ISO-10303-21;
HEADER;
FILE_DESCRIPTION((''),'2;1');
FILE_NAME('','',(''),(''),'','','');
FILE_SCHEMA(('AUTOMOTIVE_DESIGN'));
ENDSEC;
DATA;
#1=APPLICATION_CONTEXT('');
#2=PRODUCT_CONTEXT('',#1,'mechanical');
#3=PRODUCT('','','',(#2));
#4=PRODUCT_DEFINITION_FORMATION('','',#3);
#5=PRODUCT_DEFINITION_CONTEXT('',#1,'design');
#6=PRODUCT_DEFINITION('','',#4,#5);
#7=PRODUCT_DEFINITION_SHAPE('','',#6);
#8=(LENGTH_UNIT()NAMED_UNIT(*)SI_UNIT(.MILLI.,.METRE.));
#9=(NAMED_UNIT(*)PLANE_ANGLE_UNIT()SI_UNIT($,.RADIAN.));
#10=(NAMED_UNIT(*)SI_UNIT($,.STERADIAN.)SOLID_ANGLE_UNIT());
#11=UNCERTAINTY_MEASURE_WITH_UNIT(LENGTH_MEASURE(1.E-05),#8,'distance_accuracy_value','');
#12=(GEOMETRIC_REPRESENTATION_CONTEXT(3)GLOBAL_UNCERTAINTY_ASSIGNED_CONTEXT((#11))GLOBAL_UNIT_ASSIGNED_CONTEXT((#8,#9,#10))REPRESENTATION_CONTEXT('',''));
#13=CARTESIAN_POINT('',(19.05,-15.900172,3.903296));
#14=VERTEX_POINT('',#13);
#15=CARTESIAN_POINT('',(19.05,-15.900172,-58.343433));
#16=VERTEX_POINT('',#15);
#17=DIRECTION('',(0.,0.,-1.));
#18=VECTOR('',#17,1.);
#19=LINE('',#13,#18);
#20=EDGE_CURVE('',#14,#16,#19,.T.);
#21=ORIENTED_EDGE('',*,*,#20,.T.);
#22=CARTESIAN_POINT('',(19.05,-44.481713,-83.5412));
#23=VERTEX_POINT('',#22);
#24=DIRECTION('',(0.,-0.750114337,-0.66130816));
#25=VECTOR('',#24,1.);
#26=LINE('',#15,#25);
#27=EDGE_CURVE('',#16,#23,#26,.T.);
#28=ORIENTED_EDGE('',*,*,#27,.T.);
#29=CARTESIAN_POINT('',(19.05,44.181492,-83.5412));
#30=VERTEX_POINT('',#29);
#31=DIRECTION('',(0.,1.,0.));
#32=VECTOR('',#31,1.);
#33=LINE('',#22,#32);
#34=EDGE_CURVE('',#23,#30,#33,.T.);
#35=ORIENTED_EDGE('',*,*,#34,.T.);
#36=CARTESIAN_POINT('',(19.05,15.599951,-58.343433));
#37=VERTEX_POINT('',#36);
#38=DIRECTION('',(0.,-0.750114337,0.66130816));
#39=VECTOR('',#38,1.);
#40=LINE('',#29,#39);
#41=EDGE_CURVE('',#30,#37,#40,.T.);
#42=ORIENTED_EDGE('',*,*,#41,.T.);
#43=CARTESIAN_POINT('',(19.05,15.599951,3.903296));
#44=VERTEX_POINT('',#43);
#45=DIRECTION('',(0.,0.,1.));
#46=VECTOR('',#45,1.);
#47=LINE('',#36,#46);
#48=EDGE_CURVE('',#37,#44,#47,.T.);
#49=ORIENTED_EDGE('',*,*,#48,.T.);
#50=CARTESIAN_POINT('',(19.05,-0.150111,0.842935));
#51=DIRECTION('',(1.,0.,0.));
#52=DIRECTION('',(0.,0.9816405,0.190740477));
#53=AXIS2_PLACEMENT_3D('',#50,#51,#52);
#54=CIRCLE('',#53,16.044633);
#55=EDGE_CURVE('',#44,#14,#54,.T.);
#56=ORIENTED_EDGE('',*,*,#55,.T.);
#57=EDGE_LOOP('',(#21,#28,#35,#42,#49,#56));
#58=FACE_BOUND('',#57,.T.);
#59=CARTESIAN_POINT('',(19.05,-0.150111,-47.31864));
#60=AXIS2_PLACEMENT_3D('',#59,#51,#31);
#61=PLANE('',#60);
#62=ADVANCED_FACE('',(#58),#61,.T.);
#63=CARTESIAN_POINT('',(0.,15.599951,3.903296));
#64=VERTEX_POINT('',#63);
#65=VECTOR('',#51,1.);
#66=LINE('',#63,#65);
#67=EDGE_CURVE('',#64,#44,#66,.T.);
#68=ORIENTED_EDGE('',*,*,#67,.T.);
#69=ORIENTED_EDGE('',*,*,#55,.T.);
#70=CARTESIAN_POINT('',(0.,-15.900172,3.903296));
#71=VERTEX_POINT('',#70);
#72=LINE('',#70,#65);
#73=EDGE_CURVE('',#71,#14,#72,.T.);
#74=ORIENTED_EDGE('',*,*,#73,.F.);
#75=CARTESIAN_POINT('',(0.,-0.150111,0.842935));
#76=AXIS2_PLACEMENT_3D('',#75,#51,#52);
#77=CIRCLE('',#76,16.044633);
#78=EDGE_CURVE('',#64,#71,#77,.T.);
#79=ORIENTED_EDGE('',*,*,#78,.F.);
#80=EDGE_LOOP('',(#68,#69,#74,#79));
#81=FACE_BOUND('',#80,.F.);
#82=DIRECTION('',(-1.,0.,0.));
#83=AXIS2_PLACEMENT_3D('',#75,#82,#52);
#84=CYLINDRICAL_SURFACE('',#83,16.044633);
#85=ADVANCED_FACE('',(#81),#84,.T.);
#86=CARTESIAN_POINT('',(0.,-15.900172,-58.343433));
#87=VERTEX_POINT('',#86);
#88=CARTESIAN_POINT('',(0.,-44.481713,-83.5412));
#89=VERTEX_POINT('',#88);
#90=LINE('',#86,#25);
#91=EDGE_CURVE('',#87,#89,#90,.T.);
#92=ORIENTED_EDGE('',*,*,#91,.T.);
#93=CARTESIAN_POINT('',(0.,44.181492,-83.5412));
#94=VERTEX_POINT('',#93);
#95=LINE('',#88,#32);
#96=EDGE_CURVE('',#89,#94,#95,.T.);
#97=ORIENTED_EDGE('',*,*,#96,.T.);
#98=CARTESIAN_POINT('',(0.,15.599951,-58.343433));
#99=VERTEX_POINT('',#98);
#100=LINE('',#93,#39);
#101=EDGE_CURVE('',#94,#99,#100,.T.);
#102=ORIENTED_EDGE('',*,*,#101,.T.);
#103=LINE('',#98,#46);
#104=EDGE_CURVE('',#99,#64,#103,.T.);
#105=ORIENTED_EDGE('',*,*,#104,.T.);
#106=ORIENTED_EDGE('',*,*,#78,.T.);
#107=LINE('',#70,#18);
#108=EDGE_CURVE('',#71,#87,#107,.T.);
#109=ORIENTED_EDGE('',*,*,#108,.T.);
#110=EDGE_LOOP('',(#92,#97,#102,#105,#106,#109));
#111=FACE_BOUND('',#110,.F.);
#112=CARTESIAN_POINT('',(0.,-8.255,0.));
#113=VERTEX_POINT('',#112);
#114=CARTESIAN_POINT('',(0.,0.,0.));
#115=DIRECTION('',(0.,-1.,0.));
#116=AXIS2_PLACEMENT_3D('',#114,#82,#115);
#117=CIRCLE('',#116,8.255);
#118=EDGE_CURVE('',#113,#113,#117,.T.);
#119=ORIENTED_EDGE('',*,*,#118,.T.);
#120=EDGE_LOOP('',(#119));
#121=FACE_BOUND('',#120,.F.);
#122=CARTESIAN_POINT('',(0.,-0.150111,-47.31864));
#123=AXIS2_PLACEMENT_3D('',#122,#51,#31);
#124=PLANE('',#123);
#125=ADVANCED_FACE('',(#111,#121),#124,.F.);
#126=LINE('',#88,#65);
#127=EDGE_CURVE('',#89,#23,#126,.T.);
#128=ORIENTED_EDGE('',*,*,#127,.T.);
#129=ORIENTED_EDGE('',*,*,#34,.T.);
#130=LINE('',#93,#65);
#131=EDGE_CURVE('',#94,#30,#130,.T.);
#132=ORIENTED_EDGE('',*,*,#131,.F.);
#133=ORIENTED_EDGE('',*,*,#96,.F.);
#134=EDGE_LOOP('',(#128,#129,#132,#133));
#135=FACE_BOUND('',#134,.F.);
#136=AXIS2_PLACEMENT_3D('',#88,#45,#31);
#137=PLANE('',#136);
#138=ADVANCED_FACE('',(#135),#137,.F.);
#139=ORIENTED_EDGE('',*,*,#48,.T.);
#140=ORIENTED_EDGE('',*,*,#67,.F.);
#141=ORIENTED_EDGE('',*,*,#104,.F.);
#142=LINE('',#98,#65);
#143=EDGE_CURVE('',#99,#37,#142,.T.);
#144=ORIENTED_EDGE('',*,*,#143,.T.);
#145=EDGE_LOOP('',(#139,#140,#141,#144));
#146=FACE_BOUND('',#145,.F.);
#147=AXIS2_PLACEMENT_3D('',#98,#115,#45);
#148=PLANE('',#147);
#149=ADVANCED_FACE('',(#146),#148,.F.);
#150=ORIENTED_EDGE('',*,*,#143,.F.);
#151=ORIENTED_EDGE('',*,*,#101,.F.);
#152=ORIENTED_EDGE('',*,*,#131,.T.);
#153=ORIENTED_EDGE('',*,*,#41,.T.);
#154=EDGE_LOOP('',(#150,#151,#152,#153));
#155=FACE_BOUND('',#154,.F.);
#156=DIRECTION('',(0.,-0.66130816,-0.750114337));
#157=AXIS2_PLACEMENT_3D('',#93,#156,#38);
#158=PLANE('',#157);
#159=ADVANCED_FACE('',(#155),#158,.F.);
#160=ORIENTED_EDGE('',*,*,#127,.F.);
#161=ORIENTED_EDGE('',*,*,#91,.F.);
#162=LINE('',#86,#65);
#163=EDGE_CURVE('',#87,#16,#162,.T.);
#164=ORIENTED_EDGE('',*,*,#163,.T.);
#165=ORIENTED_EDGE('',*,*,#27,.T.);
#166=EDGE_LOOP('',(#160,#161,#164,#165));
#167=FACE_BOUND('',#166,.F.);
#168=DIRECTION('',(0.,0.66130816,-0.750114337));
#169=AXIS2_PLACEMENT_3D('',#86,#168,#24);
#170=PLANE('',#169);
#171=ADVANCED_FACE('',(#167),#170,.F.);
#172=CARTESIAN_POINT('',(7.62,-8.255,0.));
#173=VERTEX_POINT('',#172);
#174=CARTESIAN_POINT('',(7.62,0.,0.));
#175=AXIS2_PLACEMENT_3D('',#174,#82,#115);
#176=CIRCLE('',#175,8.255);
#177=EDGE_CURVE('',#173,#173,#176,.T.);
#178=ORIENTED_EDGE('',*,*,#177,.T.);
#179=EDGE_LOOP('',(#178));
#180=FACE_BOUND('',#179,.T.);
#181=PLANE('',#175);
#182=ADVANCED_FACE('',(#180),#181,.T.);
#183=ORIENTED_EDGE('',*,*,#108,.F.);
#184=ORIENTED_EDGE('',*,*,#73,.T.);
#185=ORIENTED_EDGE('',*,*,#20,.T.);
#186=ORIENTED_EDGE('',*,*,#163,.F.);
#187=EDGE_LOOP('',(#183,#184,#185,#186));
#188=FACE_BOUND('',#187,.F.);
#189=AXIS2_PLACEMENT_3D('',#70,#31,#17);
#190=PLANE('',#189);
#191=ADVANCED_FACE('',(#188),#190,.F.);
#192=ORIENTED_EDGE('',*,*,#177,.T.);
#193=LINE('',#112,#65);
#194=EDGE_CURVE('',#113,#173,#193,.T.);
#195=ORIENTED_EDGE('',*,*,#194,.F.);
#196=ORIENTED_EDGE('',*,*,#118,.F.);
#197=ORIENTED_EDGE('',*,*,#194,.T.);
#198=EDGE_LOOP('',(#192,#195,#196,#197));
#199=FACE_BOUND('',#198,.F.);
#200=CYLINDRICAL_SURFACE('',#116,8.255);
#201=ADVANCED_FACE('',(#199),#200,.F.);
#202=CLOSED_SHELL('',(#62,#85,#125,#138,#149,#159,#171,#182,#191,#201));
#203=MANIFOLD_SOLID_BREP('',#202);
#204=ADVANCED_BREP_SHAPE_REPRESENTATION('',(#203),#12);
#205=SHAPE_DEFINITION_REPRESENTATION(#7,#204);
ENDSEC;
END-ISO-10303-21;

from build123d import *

# Parameters (mm, degrees)
F1_DEPTH = 19.05
F2_R     = 8.255
F3_DEPTH = 7.62


with BuildPart() as f1:
    # F0 (on Right) → F1 (new body)
    with BuildSketch(Plane.YZ):
        with BuildLine():
            Line((-15.900172, 3.903296), (-15.900172, -58.343433))
            Line((-15.900172, -58.343433), (-44.481713, -83.5412))
            Line((-44.481713, -83.5412), (44.181492, -83.5412))
            Line((44.181492, -83.5412), (15.599951, -58.343433))
            Line((15.599951, -58.343433), (15.599951, 3.903296))
            ThreePointArc((15.599951, 3.903296), (-0.150111, 16.887568), (-15.900172, 3.903296))
        make_face()
    extrude(amount=F1_DEPTH)

    # F2 (on face) → F3 (cut)
    with BuildSketch(Plane(origin=(0, 0, 0), x_dir=(0, -1, 0), z_dir=(-1, 0, 0))):
        Circle(F2_R)
    extrude(amount=-F3_DEPTH, mode=Mode.SUBTRACT)


solid = f1.part
